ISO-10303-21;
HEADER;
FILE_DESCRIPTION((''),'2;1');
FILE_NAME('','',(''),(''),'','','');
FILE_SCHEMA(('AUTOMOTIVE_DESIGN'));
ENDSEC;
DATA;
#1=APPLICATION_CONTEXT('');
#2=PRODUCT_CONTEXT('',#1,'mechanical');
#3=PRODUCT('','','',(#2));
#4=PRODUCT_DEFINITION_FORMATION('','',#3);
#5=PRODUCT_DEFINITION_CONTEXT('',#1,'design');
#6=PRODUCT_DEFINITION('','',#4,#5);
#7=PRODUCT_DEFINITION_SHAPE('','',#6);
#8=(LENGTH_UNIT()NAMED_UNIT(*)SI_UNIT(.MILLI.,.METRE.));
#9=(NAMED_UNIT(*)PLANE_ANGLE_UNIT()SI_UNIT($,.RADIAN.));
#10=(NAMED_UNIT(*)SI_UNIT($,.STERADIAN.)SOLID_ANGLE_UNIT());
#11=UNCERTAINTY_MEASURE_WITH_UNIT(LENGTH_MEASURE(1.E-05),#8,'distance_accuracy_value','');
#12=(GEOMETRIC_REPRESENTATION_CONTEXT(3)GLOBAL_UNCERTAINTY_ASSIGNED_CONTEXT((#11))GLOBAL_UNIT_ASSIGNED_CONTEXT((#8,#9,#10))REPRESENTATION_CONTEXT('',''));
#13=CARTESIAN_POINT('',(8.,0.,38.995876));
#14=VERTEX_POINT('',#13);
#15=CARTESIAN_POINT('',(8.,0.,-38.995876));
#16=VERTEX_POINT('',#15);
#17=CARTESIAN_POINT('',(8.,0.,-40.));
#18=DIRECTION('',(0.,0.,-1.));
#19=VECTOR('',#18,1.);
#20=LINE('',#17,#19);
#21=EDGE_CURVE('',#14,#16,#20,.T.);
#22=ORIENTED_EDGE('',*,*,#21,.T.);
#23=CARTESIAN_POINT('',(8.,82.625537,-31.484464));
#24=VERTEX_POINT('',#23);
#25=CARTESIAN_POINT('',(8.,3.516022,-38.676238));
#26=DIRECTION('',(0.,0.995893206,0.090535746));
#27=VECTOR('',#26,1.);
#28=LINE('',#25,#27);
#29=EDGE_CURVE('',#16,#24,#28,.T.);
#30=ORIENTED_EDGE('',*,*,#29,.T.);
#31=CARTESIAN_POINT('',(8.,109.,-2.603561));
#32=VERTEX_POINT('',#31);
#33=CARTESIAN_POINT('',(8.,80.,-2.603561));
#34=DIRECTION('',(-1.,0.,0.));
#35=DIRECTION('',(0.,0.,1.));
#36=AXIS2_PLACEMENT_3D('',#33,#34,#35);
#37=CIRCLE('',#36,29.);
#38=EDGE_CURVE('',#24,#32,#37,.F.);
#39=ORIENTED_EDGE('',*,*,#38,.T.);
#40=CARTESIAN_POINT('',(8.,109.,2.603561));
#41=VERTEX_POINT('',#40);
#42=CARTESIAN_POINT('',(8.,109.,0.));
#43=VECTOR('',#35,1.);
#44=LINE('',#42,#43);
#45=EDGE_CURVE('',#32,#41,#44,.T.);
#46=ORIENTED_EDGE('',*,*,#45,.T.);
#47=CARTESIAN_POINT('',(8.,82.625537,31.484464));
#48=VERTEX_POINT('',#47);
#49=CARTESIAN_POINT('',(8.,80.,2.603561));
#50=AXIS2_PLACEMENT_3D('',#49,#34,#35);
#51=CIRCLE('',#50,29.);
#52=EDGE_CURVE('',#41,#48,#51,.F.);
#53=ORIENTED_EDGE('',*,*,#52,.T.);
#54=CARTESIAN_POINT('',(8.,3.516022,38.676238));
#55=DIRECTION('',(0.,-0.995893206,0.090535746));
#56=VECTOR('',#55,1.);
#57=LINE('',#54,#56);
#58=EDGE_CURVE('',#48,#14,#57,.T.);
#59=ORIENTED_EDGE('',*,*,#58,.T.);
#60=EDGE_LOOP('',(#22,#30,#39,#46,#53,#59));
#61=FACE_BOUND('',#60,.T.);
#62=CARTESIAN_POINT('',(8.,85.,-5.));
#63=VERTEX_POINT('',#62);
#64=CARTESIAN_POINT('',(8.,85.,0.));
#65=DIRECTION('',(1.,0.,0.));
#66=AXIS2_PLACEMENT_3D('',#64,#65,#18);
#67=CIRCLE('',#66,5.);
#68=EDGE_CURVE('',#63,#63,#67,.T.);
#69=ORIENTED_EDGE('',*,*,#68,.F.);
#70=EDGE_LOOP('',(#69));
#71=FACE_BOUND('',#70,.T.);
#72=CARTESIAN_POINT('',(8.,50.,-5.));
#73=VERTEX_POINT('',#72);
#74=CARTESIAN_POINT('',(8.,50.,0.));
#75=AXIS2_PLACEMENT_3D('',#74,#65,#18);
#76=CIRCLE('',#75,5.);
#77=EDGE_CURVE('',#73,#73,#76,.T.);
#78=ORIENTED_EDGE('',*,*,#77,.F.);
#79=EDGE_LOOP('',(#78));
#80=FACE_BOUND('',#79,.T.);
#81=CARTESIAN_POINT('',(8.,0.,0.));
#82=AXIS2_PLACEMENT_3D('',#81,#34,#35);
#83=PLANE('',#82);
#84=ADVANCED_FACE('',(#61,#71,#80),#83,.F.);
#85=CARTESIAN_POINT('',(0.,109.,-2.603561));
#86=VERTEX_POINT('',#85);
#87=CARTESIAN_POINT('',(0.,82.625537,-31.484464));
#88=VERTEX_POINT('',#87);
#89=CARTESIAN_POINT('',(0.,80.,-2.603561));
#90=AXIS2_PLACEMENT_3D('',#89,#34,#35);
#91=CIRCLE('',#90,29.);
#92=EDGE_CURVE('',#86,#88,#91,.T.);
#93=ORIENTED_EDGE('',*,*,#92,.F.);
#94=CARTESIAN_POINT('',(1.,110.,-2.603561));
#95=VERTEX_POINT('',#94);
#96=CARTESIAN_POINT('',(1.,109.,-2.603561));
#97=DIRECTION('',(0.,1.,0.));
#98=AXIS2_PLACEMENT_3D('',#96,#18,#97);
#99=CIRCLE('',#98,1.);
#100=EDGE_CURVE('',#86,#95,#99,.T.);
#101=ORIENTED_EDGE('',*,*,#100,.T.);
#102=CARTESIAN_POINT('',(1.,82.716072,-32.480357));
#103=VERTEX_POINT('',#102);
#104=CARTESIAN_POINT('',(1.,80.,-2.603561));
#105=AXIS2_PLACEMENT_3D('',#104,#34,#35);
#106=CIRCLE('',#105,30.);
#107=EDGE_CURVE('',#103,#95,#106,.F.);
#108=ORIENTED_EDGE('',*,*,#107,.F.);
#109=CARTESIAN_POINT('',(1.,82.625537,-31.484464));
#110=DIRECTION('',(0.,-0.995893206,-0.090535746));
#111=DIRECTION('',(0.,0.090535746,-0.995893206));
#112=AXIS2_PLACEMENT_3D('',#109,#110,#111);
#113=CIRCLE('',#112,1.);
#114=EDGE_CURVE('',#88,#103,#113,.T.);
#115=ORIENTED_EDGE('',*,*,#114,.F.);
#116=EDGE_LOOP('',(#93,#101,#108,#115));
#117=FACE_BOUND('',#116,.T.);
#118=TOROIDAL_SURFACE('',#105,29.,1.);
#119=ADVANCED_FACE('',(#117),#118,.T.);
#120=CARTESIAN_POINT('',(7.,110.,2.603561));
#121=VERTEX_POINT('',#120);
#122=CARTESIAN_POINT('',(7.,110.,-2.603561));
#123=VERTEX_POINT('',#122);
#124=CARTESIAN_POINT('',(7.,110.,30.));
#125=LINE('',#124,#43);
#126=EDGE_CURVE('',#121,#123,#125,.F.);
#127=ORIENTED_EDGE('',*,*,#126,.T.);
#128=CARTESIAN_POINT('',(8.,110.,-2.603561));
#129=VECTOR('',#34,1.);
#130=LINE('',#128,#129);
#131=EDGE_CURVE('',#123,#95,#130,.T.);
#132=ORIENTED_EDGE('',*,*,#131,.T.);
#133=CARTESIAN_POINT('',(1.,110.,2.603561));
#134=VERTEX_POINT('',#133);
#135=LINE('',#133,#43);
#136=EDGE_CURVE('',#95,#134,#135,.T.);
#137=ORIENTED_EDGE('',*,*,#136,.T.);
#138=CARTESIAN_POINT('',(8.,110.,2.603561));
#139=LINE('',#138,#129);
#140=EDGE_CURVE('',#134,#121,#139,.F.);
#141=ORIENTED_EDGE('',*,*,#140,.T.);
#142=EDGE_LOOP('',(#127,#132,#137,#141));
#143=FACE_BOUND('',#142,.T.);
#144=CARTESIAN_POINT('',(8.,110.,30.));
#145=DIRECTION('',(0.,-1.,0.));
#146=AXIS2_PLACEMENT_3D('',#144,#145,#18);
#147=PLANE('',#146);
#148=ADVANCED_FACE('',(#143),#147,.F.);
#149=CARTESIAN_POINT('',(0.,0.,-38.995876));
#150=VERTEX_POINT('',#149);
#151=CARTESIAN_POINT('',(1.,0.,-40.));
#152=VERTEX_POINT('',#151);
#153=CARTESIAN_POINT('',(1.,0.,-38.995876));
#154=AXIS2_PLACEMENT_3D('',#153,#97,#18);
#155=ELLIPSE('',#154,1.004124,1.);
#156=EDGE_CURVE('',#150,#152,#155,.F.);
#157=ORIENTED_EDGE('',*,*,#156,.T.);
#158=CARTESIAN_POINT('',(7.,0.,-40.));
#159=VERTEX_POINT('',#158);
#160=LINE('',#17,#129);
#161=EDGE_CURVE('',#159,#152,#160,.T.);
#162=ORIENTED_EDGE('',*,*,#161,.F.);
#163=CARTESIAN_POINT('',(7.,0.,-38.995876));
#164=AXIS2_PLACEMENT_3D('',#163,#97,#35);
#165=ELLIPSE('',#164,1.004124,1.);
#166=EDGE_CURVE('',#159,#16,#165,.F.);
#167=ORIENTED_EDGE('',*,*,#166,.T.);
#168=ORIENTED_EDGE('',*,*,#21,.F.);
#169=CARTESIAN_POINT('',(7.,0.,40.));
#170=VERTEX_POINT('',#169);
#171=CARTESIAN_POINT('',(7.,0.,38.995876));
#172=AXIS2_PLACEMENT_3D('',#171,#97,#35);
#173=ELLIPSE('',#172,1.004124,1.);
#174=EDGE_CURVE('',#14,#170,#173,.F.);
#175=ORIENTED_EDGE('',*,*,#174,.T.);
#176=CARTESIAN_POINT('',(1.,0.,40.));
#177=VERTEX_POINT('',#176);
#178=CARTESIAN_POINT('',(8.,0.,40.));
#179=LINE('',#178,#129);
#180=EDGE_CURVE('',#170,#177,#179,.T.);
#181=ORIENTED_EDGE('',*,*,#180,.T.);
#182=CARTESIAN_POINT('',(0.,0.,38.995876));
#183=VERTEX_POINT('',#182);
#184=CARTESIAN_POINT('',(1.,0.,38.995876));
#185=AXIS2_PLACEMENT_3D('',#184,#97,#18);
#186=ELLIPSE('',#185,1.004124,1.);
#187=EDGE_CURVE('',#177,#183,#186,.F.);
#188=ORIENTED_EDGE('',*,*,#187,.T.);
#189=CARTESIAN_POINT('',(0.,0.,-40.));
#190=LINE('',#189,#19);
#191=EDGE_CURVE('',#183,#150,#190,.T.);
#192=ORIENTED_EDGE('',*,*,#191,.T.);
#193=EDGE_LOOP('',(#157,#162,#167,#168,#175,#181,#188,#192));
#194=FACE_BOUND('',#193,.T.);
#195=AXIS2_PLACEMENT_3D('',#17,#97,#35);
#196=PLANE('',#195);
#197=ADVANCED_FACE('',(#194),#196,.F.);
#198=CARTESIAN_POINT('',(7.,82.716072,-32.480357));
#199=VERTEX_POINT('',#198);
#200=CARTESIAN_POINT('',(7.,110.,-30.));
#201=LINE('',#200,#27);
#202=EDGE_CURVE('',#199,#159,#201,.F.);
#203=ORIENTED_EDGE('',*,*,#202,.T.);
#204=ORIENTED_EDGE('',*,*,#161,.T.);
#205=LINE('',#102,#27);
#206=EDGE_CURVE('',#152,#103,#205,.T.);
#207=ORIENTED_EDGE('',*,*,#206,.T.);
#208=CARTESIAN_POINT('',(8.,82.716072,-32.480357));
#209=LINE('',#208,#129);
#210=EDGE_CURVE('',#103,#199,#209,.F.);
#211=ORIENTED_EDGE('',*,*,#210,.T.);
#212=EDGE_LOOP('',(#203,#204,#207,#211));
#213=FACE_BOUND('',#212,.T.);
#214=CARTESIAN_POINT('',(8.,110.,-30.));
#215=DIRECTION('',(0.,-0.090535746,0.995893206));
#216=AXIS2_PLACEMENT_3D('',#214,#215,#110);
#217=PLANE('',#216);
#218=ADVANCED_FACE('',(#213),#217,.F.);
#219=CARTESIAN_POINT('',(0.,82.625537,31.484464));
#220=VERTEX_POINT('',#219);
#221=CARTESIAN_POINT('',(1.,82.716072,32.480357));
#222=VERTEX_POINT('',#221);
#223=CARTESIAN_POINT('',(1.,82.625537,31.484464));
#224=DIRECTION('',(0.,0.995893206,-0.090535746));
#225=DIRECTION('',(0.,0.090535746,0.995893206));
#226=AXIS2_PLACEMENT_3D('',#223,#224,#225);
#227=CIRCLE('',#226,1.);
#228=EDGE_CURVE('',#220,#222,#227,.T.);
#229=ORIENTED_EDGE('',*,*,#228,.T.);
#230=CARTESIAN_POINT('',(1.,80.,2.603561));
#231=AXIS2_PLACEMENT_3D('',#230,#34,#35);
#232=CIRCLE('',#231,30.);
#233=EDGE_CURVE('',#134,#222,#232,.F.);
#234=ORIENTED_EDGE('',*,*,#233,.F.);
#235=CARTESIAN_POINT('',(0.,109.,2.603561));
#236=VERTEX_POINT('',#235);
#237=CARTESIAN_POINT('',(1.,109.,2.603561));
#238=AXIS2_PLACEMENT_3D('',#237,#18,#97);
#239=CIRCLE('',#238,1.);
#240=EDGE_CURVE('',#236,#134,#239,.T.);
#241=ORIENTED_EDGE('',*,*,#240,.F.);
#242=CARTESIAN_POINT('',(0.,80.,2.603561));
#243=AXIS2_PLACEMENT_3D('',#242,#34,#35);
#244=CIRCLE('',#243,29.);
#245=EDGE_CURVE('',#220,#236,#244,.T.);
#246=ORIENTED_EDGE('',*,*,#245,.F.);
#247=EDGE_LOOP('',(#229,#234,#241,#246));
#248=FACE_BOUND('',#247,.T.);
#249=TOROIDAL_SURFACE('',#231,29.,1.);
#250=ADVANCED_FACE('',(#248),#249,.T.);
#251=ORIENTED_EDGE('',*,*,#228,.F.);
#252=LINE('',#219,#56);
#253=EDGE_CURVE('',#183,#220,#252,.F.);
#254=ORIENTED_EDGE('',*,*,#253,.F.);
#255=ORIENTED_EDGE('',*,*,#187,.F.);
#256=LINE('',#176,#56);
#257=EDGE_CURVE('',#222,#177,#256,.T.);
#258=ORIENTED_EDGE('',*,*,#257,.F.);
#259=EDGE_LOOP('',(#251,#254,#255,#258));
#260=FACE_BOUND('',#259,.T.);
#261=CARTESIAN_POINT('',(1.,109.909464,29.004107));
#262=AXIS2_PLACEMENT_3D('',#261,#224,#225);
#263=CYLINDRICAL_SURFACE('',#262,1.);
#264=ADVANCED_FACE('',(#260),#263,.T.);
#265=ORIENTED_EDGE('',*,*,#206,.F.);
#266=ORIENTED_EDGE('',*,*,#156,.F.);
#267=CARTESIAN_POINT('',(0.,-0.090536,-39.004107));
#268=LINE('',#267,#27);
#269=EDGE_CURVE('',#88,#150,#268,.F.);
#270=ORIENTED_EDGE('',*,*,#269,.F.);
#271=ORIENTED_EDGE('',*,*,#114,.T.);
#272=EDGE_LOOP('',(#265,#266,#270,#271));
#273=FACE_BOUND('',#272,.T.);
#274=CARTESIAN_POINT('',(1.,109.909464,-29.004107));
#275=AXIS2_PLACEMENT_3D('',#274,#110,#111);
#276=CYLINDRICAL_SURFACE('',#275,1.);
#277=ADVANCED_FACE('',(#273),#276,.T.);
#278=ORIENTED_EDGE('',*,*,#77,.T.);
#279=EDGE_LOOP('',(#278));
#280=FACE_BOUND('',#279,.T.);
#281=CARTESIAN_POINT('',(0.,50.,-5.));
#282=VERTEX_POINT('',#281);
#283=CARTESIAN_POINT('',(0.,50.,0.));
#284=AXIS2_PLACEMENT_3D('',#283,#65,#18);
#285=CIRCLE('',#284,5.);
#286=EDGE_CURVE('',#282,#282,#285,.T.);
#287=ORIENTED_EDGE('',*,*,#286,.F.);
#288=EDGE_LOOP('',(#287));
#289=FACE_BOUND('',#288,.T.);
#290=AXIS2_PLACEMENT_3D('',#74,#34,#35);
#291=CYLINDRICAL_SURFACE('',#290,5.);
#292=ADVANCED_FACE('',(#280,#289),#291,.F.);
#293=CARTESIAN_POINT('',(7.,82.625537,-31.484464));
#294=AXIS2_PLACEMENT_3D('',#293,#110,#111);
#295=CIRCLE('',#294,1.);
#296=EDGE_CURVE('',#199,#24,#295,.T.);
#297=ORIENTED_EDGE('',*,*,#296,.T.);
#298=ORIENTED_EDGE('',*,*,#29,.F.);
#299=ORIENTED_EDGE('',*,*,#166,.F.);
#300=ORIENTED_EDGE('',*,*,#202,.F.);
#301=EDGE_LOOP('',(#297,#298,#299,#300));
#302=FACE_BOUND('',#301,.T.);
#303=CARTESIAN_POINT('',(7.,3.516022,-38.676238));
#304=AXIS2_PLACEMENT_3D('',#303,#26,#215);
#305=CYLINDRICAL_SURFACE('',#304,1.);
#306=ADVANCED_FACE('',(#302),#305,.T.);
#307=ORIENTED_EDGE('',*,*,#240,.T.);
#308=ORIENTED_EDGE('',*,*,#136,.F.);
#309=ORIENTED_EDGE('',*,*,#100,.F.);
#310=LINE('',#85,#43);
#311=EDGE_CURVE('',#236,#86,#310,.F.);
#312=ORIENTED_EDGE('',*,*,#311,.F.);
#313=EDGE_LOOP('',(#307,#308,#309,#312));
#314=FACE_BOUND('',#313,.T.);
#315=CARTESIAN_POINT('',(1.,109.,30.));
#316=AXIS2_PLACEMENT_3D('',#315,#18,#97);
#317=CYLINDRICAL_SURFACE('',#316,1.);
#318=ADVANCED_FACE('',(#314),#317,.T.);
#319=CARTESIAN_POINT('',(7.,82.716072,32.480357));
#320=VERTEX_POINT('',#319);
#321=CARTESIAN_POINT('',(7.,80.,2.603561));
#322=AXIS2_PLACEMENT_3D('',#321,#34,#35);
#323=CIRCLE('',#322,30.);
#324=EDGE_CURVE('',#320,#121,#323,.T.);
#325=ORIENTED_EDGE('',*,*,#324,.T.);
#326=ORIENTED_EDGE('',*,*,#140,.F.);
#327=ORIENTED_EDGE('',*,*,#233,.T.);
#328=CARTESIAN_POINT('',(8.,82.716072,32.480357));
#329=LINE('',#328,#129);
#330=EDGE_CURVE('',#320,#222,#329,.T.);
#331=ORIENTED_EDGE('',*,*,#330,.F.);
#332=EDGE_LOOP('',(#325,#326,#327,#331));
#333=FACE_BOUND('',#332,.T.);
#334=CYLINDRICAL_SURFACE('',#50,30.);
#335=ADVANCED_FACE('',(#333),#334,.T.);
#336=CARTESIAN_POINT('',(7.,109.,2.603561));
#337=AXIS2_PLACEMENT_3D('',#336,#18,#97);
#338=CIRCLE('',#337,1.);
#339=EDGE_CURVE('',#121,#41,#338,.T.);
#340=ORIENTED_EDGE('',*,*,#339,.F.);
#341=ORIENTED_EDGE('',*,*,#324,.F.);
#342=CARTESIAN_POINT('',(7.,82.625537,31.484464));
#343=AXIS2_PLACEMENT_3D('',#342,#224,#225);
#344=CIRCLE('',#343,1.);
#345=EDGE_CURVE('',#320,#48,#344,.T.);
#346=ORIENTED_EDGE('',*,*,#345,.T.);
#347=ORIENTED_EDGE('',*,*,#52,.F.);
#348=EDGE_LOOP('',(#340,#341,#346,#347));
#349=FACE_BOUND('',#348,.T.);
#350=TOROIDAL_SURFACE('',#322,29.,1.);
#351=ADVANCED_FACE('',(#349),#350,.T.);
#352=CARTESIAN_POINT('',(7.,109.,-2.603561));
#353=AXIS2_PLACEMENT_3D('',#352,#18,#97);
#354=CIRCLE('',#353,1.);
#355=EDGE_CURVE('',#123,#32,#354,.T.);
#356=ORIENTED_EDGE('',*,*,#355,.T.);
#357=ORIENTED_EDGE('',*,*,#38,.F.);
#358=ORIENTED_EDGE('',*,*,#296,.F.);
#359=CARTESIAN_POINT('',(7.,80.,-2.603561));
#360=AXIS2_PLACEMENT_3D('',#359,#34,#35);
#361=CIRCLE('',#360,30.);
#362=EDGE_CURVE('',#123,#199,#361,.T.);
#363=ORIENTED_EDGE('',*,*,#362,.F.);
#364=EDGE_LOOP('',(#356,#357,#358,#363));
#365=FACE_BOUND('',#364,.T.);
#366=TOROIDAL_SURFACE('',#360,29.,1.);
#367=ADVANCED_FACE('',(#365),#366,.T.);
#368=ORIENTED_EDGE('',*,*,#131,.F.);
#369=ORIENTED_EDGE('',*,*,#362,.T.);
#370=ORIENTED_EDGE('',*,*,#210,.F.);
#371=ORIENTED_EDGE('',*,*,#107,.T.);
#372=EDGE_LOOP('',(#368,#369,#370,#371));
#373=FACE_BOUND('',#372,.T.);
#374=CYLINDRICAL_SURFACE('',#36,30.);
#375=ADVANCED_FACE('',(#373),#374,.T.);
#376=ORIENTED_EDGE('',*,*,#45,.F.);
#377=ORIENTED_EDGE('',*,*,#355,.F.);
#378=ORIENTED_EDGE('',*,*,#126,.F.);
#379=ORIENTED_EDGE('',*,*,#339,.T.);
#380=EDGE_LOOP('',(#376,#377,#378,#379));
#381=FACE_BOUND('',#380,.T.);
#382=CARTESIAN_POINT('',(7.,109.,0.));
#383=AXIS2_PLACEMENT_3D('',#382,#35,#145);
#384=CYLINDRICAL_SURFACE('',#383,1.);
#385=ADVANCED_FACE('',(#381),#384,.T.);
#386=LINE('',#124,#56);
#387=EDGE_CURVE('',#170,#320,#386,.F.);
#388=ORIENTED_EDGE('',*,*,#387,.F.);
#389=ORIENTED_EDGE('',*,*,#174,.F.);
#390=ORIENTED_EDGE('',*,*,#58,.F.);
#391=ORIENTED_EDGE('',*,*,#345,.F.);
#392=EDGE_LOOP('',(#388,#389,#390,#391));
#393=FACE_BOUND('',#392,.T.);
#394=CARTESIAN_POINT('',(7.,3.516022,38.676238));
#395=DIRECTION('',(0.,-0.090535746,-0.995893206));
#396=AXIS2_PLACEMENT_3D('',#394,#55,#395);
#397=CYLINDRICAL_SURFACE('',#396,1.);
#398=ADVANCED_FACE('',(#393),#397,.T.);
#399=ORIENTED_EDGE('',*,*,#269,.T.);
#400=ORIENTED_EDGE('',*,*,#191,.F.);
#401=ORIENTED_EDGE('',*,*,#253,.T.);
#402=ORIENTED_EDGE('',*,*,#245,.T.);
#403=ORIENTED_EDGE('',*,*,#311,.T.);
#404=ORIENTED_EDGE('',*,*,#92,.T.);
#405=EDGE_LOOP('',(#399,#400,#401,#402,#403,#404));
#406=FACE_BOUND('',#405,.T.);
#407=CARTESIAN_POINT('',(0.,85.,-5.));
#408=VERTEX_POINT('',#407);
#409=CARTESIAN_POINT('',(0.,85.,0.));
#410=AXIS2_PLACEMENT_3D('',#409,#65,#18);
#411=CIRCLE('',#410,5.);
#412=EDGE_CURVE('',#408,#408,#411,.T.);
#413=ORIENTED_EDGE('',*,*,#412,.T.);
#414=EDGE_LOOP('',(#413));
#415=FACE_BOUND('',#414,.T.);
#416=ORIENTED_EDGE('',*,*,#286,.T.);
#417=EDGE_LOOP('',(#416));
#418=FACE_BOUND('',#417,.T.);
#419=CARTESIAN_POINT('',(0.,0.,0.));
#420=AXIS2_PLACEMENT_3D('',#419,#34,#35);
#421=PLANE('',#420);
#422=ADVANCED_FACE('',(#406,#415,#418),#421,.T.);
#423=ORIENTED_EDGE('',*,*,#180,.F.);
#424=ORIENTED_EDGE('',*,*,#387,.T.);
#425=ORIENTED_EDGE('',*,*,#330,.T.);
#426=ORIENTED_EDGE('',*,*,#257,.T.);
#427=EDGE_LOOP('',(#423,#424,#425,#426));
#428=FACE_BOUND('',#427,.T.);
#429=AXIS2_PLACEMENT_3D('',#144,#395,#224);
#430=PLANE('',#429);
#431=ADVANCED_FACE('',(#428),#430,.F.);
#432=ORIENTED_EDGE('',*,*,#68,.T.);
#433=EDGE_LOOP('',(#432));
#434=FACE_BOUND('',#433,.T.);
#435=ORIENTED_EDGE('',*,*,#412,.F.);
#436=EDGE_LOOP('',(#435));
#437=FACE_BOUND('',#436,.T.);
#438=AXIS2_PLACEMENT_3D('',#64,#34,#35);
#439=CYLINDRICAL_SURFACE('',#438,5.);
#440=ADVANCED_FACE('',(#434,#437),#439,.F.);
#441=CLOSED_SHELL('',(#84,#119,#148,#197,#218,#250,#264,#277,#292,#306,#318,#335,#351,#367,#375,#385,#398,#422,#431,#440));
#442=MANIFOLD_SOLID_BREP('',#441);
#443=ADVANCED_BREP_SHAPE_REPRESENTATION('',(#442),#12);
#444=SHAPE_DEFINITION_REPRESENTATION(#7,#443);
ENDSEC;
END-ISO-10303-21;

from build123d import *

# Parameters (mm, degrees)
SKICA1_R                = 5
P_IDAT_VYSUNUT_M1_DEPTH = 8
ZAOBLIT1_R              = 30
ZAOBLIT2_R              = 1


with BuildPart() as part:
    # Skica1 → Přidat vysunutím1 (new body)
    with BuildSketch(Plane(origin=(0, 0, 0), x_dir=(0, 0, -1), z_dir=(1, 0, 0))):
        Polygon((-30, 110), (30, 110), (40, 0), (-40, 0), align=None)
        with Locations((0, 85)):
            Circle(SKICA1_R, mode=Mode.SUBTRACT)
        with Locations((0, 50)):
            Circle(SKICA1_R, mode=Mode.SUBTRACT)
    extrude(amount=P_IDAT_VYSUNUT_M1_DEPTH)

    # Zaoblit1
    zaoblit1_edges = [part.edges().sort_by_distance(p)[0] for p in [
        (4, 110, 30),
        (4, 110, -30),
    ]]
    fillet(zaoblit1_edges, radius=ZAOBLIT1_R)

    # Zaoblit2
    zaoblit2_edges = [part.edges().sort_by_distance(p)[0] for p in [
        (0, 110, 0),
        (8, 110, 0),
        (0, 41.358036191, 36.240178528),
        (0, 102.152676717, 22.833709509),
        (0, 102.152676717, -22.833709509),
        (8, 41.358036191, 36.240178528),
        (8, 102.152676717, 22.833709509),
        (8, 102.152676717, -22.833709509),
        (8, 41.358036191, -36.240178528),
        (0, 41.358036191, -36.240178528),
    ]]
    fillet(zaoblit2_edges, radius=ZAOBLIT2_R)


solid = part.part
